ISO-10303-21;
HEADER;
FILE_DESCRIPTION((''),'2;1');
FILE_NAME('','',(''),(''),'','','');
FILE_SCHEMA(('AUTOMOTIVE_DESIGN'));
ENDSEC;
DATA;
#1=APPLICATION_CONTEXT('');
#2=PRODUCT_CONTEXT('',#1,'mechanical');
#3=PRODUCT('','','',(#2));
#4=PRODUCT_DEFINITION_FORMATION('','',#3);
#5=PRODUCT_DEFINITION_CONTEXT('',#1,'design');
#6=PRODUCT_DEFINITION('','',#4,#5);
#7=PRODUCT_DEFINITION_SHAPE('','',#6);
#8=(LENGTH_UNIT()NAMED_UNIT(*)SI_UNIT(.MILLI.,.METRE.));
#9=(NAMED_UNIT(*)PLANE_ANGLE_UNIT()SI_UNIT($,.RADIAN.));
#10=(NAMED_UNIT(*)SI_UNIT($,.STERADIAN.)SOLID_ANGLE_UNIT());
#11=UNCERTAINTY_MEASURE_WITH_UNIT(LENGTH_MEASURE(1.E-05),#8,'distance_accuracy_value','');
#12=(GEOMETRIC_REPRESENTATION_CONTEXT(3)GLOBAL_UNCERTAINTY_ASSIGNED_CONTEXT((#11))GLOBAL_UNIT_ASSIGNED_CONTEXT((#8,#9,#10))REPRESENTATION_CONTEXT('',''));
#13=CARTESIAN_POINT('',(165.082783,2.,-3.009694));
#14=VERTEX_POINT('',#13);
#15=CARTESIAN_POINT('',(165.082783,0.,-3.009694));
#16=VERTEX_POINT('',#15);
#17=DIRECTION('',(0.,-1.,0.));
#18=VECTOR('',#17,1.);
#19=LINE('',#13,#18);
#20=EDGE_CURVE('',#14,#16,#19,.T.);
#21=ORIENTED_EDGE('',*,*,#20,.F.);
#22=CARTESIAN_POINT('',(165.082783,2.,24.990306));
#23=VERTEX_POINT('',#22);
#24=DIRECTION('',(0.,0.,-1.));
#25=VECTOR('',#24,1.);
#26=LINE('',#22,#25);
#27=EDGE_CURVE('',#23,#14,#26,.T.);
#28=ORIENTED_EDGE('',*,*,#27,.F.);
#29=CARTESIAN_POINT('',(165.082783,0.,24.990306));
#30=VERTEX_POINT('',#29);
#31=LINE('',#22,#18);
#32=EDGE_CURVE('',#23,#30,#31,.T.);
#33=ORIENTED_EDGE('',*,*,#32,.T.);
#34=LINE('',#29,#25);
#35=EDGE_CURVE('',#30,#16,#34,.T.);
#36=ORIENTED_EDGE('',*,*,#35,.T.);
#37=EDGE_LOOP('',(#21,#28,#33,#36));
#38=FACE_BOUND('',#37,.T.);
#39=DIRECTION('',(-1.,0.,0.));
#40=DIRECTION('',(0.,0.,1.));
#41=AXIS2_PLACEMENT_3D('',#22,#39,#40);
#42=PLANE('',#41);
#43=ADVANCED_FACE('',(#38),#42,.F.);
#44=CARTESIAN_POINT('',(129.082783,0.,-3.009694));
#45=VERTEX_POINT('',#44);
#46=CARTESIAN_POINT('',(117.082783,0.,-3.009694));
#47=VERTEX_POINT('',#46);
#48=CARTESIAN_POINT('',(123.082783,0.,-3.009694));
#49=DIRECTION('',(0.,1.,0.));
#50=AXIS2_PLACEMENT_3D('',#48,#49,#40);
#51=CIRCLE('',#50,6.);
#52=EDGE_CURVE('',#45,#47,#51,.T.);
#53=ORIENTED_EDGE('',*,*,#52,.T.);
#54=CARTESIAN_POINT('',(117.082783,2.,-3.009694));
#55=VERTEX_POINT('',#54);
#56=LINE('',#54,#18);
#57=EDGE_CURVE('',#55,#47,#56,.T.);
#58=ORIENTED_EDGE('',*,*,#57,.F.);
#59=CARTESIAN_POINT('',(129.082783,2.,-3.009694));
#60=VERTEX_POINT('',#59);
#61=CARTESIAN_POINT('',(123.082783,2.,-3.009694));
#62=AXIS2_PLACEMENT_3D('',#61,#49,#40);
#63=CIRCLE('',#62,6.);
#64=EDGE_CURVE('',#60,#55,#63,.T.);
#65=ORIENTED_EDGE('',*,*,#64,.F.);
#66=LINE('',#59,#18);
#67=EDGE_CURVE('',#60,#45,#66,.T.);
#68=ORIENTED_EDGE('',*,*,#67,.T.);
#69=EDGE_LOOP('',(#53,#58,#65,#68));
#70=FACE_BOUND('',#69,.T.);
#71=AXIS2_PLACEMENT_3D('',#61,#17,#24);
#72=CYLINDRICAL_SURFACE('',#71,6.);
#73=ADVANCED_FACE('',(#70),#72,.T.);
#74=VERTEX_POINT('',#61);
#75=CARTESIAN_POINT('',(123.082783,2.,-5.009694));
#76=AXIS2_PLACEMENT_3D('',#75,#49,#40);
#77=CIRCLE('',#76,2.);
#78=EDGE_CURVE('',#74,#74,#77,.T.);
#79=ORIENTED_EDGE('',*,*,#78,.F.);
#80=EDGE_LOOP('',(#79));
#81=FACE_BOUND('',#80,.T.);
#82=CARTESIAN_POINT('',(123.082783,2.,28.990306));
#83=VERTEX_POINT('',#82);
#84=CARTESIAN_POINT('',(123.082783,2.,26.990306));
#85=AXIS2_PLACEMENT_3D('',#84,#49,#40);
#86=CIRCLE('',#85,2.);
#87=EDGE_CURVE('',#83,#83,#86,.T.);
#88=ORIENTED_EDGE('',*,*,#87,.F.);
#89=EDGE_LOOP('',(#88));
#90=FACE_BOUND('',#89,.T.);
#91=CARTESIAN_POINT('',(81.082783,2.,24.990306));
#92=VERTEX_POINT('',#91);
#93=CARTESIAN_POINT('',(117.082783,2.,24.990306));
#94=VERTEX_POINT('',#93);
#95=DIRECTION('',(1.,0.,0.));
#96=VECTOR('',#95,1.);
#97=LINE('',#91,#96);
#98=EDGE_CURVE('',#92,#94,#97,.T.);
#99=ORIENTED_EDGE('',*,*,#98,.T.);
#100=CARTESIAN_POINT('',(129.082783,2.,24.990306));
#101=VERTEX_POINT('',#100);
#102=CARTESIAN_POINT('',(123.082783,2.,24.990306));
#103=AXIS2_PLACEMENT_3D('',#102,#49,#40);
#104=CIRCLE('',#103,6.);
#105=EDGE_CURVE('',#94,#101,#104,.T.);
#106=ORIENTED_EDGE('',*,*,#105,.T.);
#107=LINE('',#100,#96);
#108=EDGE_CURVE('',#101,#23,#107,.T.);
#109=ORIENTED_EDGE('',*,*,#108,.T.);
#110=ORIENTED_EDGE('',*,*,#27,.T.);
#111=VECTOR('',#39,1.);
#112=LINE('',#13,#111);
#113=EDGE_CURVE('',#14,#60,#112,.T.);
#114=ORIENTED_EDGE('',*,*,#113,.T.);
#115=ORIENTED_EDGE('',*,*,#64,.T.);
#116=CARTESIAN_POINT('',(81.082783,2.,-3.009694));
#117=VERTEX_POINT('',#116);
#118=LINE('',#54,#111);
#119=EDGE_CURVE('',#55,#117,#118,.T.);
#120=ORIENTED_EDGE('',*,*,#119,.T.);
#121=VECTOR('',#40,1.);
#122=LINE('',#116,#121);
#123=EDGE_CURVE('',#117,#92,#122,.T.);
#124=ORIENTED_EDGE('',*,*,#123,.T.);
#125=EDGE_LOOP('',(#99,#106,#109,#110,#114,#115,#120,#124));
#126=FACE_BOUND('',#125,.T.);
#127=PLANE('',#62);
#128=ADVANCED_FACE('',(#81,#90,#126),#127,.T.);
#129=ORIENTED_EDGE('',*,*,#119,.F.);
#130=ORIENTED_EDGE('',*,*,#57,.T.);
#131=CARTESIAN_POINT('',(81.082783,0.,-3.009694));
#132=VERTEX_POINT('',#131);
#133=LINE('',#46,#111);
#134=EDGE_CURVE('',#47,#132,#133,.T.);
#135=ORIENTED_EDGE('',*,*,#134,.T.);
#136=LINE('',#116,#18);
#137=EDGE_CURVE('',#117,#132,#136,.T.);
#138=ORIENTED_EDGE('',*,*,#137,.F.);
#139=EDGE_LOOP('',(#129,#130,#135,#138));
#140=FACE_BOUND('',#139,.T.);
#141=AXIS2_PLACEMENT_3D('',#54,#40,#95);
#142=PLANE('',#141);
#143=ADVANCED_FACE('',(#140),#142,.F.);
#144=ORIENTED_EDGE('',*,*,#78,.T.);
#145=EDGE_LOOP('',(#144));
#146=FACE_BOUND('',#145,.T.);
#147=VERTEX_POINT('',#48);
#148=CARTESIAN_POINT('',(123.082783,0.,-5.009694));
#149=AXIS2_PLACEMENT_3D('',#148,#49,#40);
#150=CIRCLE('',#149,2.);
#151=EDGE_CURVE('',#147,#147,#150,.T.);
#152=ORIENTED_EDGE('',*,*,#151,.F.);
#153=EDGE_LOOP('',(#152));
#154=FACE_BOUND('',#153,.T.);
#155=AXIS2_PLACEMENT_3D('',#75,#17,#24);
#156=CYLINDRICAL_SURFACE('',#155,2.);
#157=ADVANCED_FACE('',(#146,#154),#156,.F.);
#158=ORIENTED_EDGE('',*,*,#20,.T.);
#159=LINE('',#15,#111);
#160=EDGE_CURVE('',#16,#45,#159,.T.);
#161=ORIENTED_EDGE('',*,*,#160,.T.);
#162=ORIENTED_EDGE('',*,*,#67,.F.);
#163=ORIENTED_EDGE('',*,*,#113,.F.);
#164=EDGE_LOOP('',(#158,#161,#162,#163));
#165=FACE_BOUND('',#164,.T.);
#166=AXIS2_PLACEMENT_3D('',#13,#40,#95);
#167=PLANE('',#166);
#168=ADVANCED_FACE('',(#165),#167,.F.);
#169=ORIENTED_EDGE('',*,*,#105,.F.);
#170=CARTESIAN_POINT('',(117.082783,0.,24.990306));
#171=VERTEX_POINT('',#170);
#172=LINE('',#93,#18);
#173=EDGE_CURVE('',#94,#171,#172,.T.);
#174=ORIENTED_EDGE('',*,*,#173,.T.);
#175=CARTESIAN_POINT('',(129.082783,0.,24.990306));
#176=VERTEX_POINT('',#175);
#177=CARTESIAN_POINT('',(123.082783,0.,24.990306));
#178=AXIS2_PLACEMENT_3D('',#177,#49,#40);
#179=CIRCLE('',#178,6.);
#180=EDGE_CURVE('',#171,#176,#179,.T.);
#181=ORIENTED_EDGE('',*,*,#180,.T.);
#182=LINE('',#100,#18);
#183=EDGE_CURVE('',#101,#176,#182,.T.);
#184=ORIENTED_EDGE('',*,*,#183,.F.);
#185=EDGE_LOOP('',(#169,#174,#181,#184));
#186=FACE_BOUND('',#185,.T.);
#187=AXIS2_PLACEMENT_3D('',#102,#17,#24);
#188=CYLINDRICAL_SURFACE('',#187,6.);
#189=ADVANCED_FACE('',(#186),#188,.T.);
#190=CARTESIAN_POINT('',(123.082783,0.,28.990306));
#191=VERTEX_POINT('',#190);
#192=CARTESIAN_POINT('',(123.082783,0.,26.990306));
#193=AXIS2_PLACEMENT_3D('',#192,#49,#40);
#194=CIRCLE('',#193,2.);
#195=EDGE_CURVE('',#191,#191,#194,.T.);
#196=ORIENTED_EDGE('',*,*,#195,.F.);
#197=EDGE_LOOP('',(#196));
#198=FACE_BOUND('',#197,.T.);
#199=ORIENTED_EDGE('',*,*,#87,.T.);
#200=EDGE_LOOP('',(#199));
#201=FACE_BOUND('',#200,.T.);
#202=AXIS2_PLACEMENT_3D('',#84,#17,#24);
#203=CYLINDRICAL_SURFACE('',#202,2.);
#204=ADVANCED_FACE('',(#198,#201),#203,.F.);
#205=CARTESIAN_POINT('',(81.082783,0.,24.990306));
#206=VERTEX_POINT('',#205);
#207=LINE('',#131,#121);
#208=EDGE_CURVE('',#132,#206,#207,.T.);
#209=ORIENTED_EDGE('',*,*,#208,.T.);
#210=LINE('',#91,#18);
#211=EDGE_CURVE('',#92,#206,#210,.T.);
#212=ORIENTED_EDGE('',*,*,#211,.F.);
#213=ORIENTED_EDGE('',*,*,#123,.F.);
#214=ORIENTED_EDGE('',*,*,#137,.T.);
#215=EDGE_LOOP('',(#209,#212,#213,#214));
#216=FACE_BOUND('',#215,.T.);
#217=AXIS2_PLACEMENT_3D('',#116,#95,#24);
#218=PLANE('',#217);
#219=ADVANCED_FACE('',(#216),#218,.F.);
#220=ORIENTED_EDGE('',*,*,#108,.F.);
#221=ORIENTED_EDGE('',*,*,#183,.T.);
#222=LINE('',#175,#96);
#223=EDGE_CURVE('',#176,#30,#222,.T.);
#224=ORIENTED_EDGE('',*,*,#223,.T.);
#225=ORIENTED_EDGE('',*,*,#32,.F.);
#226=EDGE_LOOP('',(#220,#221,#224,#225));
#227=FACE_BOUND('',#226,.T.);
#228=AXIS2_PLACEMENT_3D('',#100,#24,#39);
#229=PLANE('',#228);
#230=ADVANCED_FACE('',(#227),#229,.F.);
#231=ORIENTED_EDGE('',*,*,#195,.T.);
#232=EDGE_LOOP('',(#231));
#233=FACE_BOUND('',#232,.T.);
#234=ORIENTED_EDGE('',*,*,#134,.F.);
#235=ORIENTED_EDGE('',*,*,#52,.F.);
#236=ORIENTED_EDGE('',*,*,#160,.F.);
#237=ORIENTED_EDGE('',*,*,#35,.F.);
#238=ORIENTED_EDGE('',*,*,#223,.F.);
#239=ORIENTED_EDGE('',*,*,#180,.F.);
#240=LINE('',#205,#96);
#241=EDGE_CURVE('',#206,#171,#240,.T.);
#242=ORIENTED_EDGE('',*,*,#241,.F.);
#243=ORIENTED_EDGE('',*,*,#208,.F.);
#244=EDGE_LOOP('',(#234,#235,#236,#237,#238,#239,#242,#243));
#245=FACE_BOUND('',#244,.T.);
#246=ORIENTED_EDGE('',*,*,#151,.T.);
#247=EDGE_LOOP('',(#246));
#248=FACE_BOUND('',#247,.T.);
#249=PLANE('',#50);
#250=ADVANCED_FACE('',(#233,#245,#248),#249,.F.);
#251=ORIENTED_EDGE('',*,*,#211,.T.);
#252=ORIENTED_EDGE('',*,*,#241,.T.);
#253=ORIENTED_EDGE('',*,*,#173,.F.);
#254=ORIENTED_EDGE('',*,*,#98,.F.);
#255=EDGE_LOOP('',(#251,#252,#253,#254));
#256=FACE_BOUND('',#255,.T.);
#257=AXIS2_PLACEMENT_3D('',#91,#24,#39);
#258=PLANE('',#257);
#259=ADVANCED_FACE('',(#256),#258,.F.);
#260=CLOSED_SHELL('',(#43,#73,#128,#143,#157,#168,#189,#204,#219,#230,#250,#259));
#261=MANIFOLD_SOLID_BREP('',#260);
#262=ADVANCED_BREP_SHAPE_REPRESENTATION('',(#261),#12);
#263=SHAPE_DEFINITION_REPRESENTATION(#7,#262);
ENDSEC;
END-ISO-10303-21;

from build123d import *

# Parameters (mm, degrees)
SKETCH1_R           = 2
BOSS_EXTRUDE1_DEPTH = 2


with BuildPart() as part:
    # Sketch1 → Boss-Extrude1 (new body)
    with BuildSketch(Plane(origin=(0, 0, 0), x_dir=(1, 0, 0), z_dir=(0, 1, 0))):
        with BuildLine():
            Line((165.082783055, -24.990305924), (165.082783055, 3.009694076))
            Line((165.082783055, 3.009694076), (129.082783055, 3.009694076))
            ThreePointArc((129.082783055, 3.009694076), (123.082783055, 9.009694076), (117.082783055, 3.009694076))
            Line((117.082783055, 3.009694076), (81.082783055, 3.009694076))
            Line((81.082783055, 3.009694076), (81.082783055, -24.990305924))
            Line((81.082783055, -24.990305924), (117.082783055, -24.990305924))
            ThreePointArc((117.082783055, -24.990305924), (123.082783055, -30.990305924), (129.082783055, -24.990305924))
            Line((129.082783055, -24.990305924), (165.082783055, -24.990305924))
        make_face()
        with Locations(Location((123.082783055, 5.009694076, 0), (0, 0, 270))):
            Circle(SKETCH1_R, mode=Mode.SUBTRACT)
        with Locations(Location((123.082783055, -26.990305924, 0), (0, 0, 270))):
            Circle(SKETCH1_R, mode=Mode.SUBTRACT)
    extrude(amount=BOSS_EXTRUDE1_DEPTH)


solid = part.part
